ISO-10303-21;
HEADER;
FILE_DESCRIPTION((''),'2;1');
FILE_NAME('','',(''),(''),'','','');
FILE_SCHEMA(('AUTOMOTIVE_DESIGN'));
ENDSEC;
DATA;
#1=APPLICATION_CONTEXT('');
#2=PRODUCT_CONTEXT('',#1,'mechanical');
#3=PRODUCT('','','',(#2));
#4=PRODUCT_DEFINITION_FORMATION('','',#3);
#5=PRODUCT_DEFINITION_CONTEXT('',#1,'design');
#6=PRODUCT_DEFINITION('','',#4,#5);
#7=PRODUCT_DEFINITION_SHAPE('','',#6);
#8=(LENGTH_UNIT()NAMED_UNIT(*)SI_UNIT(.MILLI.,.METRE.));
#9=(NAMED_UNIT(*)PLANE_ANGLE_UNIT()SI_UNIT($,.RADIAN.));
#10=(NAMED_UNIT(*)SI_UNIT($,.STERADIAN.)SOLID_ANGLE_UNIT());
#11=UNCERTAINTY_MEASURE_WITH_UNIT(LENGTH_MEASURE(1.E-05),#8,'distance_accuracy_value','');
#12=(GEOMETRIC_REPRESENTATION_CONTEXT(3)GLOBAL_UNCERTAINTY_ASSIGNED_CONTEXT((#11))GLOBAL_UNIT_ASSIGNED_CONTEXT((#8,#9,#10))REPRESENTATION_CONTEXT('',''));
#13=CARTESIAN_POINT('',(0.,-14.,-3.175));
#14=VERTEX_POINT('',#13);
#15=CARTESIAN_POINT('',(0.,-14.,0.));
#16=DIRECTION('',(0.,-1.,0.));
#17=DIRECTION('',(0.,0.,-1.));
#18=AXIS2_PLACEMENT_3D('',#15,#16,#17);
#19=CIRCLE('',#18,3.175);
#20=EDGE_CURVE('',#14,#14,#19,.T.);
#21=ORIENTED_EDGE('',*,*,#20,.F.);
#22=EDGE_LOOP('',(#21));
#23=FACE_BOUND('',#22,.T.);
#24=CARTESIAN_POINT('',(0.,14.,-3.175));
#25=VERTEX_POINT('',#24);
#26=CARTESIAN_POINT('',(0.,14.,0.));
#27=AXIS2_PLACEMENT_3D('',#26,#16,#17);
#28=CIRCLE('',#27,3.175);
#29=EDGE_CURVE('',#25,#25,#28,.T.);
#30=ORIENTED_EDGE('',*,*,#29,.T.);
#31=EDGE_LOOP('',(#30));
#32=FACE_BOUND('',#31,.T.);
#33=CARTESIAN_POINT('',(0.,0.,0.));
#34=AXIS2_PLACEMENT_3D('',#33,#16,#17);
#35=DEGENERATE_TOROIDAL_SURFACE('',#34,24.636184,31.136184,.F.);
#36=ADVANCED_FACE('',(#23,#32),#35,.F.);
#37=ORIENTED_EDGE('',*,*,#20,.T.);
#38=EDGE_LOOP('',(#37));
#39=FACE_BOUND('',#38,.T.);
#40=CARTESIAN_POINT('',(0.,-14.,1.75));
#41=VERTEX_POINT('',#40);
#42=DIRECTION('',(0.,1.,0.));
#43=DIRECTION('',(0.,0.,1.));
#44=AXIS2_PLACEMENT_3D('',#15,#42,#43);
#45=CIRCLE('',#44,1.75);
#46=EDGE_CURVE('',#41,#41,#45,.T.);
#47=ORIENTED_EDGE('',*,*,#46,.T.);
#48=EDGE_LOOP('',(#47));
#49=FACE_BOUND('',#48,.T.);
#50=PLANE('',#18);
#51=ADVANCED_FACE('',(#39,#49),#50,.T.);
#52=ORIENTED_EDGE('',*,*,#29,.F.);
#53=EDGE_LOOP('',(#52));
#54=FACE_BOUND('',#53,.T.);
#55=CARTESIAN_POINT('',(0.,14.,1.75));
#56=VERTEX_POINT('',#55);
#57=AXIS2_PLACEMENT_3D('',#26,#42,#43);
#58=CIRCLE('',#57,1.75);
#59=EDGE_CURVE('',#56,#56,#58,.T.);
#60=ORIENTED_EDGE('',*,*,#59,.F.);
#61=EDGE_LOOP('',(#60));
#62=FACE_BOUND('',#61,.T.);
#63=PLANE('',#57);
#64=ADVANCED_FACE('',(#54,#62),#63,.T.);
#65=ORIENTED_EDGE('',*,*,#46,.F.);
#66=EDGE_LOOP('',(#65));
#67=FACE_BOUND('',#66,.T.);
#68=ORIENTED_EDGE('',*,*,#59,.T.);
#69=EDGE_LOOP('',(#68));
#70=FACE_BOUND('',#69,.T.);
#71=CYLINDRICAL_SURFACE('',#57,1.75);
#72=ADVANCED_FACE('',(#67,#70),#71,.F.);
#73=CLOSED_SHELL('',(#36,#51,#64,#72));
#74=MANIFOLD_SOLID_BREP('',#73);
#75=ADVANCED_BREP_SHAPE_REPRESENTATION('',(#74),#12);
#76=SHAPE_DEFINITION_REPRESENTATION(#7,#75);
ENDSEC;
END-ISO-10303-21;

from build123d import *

# Parameters (mm, degrees)
F_3_0MM_DOWEL_HOLE1_D = 3.5


with BuildPart() as part:
    # Sketch1 → Revolve1 (revolve)
    with BuildSketch(Plane.XY):
        with BuildLine():
            Line((0, -14), (0, 14))
            Line((0, 14), (3.175, 14))
            ThreePointArc((3.175, 14), (6.5, 0), (3.175, -14))
            Line((3.175, -14), (0, -14))
        make_face()
    revolve(axis=Axis((0, -14, 0), (0, 1, 0)))

    # Ø3.0mm Dowel Hole1 (through all)
    with Locations(Plane(origin=(0, 14, 0), x_dir=(1, 0, 0), z_dir=(0, 1, 0))):
        with Locations((0, 0)):
            Hole(F_3_0MM_DOWEL_HOLE1_D / 2)


solid = part.part
